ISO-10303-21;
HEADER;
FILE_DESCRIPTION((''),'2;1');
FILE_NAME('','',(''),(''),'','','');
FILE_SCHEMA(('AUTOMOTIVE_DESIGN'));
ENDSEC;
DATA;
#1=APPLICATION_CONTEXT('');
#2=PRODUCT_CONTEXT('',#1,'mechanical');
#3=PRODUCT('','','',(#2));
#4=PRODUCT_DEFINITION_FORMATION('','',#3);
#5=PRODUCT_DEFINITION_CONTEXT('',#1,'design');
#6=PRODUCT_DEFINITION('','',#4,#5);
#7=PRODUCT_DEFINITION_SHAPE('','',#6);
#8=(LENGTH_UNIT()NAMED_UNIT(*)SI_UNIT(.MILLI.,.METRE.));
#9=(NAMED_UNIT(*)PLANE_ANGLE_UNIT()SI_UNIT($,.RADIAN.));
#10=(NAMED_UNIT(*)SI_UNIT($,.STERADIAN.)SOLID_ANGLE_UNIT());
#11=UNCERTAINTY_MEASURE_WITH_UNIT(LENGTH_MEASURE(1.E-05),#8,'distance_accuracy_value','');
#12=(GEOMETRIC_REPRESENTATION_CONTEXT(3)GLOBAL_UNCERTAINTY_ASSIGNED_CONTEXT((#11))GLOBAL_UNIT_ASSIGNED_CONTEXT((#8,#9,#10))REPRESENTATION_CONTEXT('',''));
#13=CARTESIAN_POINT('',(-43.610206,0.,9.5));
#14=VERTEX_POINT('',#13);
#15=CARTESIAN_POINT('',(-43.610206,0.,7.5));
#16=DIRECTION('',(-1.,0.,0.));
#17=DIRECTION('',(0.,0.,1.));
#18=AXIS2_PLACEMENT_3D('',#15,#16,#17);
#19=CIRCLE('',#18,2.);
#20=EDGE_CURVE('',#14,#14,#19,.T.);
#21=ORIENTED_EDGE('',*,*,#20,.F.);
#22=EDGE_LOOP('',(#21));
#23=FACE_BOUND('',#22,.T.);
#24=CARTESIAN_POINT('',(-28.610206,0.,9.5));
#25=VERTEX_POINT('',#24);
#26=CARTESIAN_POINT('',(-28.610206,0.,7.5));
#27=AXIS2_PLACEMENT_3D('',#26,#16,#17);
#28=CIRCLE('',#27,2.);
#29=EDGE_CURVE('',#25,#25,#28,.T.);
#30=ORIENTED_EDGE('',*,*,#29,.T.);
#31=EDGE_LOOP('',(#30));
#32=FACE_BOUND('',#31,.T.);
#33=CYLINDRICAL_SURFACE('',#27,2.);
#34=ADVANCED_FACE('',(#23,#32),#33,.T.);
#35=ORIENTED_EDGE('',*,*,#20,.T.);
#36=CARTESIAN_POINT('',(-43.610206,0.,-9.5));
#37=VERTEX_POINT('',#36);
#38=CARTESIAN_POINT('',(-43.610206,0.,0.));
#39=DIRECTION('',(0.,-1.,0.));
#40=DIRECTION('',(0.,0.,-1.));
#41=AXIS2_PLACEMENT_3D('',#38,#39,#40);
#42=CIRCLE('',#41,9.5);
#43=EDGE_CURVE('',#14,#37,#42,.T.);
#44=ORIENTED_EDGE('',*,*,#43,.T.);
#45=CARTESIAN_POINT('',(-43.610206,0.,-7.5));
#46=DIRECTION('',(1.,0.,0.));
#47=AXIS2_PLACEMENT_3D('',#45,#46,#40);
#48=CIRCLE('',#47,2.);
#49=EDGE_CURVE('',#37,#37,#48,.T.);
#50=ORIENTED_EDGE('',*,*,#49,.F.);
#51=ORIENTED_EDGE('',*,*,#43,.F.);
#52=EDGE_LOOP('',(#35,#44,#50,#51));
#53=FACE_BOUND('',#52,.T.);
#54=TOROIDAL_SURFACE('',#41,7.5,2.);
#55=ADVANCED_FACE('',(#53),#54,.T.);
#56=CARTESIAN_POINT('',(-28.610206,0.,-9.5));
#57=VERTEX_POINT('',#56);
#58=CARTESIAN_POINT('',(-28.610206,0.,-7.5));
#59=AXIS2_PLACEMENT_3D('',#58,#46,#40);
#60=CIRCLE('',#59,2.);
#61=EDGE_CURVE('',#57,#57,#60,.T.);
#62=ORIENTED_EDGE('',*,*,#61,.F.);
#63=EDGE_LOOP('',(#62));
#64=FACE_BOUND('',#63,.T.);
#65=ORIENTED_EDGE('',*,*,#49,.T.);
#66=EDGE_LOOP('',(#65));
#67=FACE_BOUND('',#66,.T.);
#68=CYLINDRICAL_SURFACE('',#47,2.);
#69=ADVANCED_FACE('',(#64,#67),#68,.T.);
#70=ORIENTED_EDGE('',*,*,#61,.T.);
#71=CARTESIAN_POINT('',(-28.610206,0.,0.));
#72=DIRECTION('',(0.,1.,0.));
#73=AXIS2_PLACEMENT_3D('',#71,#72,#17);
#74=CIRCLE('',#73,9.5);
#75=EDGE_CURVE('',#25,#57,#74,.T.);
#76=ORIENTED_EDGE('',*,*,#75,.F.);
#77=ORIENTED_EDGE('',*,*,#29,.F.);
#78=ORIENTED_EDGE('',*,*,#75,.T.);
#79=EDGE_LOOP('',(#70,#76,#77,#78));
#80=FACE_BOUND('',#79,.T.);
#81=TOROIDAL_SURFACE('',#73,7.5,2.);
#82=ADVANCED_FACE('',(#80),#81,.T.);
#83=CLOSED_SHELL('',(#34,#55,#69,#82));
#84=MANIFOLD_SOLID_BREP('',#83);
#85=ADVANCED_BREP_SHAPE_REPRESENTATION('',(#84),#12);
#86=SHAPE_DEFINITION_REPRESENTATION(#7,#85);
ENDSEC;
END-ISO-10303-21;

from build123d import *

# Parameters (mm, degrees)
SKETCH5_R = 2


with BuildPart() as part:
    # Sweep4: sweep along a path in Sketch1
    with BuildLine(Plane(origin=(0, 0, 0), x_dir=(1, 0, 0), z_dir=(0, 1, 0))) as sweep4_path:
        Line((-28.610205965, -7.5), (-43.610205965, -7.5))
        ThreePointArc((-43.610205965, -7.5), (-51.110205965, 0), (-43.610205965, 7.5))
        Line((-43.610205965, 7.5), (-28.610205965, 7.5))
        ThreePointArc((-28.610205965, 7.5), (-21.110205965, 0), (-28.610205965, -7.5))
    # Sketch5 → Sweep4 (sweep)
    with BuildSketch(Plane.XY):
        with Locations((-21.110205965, 0)):
            Circle(SKETCH5_R)
    sweep(path=sweep4_path.line)


solid = part.part
